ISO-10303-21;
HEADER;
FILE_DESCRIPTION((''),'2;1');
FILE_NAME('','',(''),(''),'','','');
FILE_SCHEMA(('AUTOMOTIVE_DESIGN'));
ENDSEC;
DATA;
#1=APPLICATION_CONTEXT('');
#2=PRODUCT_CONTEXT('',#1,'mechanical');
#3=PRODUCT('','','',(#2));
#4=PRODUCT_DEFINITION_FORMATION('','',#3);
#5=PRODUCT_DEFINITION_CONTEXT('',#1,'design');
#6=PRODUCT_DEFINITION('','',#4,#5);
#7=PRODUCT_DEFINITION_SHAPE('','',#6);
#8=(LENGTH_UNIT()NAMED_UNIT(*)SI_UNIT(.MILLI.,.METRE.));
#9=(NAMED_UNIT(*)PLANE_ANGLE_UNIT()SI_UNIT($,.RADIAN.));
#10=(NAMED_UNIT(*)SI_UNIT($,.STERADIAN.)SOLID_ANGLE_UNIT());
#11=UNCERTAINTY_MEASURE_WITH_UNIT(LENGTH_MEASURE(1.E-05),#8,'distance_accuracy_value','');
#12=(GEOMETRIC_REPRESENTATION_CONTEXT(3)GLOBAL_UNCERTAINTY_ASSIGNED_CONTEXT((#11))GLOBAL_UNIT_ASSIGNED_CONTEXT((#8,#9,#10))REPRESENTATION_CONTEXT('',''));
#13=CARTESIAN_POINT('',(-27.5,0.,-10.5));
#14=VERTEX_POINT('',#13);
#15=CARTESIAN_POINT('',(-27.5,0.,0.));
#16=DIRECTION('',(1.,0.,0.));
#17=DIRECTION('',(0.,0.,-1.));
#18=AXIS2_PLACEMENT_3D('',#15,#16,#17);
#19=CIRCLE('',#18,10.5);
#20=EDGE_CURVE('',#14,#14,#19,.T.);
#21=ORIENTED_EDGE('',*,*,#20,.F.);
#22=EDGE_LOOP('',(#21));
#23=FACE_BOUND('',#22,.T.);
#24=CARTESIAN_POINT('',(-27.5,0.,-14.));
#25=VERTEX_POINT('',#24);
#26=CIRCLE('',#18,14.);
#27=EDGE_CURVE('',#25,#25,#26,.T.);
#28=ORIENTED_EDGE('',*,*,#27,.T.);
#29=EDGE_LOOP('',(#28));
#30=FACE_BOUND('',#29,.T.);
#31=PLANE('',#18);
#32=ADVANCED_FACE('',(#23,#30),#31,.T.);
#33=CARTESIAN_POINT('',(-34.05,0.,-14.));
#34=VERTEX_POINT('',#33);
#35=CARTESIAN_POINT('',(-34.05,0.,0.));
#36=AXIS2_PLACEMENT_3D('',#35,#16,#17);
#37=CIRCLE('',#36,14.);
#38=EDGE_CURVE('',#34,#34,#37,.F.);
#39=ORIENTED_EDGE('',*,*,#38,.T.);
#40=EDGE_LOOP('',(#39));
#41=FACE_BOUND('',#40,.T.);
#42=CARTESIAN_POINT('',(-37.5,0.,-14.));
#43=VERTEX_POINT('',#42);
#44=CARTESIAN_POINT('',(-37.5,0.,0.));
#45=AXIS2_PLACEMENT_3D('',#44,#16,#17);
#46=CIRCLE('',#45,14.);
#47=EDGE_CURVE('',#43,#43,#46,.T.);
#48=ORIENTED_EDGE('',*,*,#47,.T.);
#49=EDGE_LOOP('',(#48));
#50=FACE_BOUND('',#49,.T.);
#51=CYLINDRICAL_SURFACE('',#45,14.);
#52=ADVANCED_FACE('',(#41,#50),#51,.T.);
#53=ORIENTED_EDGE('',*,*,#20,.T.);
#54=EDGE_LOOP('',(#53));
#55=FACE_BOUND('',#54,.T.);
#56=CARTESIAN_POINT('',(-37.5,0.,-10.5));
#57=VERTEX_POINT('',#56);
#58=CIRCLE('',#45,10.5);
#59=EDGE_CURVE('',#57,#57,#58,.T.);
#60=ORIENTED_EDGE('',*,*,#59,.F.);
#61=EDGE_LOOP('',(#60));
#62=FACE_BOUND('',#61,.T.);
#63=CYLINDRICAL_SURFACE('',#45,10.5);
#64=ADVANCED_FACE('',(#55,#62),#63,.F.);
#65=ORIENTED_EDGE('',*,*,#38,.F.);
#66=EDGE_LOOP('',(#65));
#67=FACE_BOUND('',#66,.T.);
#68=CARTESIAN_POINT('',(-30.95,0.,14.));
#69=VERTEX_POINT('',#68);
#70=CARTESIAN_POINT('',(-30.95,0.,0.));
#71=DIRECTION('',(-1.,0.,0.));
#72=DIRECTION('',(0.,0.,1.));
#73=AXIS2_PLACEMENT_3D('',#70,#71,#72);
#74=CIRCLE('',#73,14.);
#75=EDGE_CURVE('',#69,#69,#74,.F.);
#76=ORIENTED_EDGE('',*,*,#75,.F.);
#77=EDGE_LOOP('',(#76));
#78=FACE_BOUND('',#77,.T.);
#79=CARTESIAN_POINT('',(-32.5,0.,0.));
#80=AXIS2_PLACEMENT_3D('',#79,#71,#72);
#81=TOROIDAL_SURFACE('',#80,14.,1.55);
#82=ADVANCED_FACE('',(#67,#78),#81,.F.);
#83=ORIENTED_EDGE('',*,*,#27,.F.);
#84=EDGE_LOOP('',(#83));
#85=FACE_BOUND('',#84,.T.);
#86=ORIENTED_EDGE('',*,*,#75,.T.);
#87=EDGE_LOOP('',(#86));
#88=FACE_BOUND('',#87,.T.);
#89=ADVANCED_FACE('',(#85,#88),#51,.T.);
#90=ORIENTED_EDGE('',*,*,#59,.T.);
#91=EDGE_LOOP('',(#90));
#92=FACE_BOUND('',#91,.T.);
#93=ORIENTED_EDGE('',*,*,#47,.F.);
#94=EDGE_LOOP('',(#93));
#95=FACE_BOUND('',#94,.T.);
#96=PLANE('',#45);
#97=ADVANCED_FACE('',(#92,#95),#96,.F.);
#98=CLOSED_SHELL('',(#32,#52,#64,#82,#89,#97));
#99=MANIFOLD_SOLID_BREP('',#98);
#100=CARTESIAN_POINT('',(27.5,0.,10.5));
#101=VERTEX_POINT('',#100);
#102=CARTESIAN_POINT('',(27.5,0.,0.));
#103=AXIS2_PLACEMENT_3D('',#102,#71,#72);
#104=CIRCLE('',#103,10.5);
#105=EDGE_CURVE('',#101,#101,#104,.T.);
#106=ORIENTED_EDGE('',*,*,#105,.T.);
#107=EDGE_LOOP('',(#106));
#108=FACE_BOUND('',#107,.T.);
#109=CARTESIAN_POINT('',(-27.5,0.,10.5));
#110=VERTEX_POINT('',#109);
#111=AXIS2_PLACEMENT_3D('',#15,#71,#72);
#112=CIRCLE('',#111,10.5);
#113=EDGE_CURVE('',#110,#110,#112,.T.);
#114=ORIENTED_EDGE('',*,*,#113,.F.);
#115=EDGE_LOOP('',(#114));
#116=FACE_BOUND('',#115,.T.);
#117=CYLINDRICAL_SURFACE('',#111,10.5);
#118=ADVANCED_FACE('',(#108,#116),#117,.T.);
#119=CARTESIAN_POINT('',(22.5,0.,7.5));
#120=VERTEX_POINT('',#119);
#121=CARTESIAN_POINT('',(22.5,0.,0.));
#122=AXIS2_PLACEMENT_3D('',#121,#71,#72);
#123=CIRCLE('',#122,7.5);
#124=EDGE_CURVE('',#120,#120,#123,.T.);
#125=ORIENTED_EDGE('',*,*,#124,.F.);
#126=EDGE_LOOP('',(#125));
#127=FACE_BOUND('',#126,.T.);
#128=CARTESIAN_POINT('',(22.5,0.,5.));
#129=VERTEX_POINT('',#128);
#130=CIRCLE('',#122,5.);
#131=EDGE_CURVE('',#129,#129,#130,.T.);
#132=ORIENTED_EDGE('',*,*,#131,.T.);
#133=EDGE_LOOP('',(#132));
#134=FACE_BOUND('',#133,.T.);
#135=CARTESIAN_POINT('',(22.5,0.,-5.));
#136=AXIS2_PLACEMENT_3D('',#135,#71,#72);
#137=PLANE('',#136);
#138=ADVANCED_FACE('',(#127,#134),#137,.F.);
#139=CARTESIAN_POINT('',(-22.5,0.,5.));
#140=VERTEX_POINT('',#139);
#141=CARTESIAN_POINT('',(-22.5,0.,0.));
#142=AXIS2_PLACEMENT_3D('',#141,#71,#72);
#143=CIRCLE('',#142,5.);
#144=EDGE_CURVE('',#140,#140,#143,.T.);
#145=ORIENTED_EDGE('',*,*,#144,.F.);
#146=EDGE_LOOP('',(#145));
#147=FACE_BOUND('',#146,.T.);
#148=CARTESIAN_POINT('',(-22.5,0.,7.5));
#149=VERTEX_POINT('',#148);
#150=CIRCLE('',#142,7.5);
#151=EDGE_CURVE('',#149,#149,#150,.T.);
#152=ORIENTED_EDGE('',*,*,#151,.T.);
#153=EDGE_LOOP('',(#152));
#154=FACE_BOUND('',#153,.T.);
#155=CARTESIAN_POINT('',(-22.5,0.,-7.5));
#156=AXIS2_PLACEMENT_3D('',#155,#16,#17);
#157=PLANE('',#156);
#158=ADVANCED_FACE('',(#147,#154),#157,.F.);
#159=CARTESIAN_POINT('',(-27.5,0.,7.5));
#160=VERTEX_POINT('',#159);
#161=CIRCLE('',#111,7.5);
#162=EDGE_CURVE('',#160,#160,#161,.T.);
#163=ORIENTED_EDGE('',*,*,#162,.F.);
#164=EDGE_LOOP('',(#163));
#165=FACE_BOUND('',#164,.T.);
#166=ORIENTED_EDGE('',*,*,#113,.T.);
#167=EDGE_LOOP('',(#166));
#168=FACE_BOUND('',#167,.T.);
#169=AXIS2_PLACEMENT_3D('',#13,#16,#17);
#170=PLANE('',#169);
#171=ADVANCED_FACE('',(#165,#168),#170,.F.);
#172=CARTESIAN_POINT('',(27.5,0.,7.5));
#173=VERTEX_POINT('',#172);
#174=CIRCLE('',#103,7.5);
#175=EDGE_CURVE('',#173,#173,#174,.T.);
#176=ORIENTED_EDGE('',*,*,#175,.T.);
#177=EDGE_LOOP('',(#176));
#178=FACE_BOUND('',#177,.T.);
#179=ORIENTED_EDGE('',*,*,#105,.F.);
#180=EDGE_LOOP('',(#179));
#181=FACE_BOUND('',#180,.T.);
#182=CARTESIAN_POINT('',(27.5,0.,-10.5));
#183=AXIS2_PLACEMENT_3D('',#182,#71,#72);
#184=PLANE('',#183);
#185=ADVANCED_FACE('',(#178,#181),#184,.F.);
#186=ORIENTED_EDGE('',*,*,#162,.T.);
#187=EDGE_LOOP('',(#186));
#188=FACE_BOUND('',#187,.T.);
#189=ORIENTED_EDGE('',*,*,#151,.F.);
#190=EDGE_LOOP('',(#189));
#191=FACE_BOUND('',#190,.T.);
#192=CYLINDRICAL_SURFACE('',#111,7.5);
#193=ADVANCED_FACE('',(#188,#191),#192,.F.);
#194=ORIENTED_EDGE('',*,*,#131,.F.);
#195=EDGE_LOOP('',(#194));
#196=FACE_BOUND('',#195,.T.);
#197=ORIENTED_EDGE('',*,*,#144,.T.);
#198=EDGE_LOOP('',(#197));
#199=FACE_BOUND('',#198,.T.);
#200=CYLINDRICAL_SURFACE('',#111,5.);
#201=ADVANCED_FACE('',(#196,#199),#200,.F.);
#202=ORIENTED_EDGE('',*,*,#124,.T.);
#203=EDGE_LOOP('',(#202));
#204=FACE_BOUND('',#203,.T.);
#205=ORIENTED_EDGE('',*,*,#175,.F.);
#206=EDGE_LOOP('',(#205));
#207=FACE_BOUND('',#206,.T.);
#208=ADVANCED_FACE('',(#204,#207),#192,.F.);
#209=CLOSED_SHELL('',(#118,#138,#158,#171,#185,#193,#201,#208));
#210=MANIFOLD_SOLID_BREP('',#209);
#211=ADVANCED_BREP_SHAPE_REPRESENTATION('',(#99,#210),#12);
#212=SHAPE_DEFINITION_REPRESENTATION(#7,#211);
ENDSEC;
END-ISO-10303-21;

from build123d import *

# Parameters (mm, degrees)
SKETCH2_R           = 14
SKETCH2_R_2         = 10.5
BOSS_EXTRUDE1_DEPTH = 10
SKETCH3_R           = 1.55


with BuildPart() as part:
    # Sketch1 → Revolve1 (revolve)
    with BuildSketch(Plane(origin=(0, 0, 0), x_dir=(1, 0, 0), z_dir=(0, 1, 0))):
        Polygon((-22.5, 7.5), (-22.5, 5), (22.5, 5), (22.5, 7.5), (27.5, 7.5), (27.5, 10.5), (-27.5, 10.5), (-27.5, 7.5), align=None)
    revolve(axis=Axis((-27.5, 0, 0), (1, 0, 0)))


with BuildPart() as body_2:
    # Sketch2 → Boss-Extrude1 (new body)
    with BuildSketch(Plane(origin=(-27.5, 0, 0), x_dir=(0, 0, -1), z_dir=(1, 0, 0))):
        Circle(SKETCH2_R)
        Circle(SKETCH2_R_2, mode=Mode.SUBTRACT)
    extrude(amount=-BOSS_EXTRUDE1_DEPTH)

    # Sketch3 → Cut-Revolve2 (revolve, cut)
    with BuildSketch(Plane.XY):
        with Locations((-32.5, 14)):
            Circle(SKETCH3_R)
    revolve(axis=Axis((0, 0, 0), (1, 0, 0)), mode=Mode.SUBTRACT)


solid = Compound([part.part, body_2.part])
